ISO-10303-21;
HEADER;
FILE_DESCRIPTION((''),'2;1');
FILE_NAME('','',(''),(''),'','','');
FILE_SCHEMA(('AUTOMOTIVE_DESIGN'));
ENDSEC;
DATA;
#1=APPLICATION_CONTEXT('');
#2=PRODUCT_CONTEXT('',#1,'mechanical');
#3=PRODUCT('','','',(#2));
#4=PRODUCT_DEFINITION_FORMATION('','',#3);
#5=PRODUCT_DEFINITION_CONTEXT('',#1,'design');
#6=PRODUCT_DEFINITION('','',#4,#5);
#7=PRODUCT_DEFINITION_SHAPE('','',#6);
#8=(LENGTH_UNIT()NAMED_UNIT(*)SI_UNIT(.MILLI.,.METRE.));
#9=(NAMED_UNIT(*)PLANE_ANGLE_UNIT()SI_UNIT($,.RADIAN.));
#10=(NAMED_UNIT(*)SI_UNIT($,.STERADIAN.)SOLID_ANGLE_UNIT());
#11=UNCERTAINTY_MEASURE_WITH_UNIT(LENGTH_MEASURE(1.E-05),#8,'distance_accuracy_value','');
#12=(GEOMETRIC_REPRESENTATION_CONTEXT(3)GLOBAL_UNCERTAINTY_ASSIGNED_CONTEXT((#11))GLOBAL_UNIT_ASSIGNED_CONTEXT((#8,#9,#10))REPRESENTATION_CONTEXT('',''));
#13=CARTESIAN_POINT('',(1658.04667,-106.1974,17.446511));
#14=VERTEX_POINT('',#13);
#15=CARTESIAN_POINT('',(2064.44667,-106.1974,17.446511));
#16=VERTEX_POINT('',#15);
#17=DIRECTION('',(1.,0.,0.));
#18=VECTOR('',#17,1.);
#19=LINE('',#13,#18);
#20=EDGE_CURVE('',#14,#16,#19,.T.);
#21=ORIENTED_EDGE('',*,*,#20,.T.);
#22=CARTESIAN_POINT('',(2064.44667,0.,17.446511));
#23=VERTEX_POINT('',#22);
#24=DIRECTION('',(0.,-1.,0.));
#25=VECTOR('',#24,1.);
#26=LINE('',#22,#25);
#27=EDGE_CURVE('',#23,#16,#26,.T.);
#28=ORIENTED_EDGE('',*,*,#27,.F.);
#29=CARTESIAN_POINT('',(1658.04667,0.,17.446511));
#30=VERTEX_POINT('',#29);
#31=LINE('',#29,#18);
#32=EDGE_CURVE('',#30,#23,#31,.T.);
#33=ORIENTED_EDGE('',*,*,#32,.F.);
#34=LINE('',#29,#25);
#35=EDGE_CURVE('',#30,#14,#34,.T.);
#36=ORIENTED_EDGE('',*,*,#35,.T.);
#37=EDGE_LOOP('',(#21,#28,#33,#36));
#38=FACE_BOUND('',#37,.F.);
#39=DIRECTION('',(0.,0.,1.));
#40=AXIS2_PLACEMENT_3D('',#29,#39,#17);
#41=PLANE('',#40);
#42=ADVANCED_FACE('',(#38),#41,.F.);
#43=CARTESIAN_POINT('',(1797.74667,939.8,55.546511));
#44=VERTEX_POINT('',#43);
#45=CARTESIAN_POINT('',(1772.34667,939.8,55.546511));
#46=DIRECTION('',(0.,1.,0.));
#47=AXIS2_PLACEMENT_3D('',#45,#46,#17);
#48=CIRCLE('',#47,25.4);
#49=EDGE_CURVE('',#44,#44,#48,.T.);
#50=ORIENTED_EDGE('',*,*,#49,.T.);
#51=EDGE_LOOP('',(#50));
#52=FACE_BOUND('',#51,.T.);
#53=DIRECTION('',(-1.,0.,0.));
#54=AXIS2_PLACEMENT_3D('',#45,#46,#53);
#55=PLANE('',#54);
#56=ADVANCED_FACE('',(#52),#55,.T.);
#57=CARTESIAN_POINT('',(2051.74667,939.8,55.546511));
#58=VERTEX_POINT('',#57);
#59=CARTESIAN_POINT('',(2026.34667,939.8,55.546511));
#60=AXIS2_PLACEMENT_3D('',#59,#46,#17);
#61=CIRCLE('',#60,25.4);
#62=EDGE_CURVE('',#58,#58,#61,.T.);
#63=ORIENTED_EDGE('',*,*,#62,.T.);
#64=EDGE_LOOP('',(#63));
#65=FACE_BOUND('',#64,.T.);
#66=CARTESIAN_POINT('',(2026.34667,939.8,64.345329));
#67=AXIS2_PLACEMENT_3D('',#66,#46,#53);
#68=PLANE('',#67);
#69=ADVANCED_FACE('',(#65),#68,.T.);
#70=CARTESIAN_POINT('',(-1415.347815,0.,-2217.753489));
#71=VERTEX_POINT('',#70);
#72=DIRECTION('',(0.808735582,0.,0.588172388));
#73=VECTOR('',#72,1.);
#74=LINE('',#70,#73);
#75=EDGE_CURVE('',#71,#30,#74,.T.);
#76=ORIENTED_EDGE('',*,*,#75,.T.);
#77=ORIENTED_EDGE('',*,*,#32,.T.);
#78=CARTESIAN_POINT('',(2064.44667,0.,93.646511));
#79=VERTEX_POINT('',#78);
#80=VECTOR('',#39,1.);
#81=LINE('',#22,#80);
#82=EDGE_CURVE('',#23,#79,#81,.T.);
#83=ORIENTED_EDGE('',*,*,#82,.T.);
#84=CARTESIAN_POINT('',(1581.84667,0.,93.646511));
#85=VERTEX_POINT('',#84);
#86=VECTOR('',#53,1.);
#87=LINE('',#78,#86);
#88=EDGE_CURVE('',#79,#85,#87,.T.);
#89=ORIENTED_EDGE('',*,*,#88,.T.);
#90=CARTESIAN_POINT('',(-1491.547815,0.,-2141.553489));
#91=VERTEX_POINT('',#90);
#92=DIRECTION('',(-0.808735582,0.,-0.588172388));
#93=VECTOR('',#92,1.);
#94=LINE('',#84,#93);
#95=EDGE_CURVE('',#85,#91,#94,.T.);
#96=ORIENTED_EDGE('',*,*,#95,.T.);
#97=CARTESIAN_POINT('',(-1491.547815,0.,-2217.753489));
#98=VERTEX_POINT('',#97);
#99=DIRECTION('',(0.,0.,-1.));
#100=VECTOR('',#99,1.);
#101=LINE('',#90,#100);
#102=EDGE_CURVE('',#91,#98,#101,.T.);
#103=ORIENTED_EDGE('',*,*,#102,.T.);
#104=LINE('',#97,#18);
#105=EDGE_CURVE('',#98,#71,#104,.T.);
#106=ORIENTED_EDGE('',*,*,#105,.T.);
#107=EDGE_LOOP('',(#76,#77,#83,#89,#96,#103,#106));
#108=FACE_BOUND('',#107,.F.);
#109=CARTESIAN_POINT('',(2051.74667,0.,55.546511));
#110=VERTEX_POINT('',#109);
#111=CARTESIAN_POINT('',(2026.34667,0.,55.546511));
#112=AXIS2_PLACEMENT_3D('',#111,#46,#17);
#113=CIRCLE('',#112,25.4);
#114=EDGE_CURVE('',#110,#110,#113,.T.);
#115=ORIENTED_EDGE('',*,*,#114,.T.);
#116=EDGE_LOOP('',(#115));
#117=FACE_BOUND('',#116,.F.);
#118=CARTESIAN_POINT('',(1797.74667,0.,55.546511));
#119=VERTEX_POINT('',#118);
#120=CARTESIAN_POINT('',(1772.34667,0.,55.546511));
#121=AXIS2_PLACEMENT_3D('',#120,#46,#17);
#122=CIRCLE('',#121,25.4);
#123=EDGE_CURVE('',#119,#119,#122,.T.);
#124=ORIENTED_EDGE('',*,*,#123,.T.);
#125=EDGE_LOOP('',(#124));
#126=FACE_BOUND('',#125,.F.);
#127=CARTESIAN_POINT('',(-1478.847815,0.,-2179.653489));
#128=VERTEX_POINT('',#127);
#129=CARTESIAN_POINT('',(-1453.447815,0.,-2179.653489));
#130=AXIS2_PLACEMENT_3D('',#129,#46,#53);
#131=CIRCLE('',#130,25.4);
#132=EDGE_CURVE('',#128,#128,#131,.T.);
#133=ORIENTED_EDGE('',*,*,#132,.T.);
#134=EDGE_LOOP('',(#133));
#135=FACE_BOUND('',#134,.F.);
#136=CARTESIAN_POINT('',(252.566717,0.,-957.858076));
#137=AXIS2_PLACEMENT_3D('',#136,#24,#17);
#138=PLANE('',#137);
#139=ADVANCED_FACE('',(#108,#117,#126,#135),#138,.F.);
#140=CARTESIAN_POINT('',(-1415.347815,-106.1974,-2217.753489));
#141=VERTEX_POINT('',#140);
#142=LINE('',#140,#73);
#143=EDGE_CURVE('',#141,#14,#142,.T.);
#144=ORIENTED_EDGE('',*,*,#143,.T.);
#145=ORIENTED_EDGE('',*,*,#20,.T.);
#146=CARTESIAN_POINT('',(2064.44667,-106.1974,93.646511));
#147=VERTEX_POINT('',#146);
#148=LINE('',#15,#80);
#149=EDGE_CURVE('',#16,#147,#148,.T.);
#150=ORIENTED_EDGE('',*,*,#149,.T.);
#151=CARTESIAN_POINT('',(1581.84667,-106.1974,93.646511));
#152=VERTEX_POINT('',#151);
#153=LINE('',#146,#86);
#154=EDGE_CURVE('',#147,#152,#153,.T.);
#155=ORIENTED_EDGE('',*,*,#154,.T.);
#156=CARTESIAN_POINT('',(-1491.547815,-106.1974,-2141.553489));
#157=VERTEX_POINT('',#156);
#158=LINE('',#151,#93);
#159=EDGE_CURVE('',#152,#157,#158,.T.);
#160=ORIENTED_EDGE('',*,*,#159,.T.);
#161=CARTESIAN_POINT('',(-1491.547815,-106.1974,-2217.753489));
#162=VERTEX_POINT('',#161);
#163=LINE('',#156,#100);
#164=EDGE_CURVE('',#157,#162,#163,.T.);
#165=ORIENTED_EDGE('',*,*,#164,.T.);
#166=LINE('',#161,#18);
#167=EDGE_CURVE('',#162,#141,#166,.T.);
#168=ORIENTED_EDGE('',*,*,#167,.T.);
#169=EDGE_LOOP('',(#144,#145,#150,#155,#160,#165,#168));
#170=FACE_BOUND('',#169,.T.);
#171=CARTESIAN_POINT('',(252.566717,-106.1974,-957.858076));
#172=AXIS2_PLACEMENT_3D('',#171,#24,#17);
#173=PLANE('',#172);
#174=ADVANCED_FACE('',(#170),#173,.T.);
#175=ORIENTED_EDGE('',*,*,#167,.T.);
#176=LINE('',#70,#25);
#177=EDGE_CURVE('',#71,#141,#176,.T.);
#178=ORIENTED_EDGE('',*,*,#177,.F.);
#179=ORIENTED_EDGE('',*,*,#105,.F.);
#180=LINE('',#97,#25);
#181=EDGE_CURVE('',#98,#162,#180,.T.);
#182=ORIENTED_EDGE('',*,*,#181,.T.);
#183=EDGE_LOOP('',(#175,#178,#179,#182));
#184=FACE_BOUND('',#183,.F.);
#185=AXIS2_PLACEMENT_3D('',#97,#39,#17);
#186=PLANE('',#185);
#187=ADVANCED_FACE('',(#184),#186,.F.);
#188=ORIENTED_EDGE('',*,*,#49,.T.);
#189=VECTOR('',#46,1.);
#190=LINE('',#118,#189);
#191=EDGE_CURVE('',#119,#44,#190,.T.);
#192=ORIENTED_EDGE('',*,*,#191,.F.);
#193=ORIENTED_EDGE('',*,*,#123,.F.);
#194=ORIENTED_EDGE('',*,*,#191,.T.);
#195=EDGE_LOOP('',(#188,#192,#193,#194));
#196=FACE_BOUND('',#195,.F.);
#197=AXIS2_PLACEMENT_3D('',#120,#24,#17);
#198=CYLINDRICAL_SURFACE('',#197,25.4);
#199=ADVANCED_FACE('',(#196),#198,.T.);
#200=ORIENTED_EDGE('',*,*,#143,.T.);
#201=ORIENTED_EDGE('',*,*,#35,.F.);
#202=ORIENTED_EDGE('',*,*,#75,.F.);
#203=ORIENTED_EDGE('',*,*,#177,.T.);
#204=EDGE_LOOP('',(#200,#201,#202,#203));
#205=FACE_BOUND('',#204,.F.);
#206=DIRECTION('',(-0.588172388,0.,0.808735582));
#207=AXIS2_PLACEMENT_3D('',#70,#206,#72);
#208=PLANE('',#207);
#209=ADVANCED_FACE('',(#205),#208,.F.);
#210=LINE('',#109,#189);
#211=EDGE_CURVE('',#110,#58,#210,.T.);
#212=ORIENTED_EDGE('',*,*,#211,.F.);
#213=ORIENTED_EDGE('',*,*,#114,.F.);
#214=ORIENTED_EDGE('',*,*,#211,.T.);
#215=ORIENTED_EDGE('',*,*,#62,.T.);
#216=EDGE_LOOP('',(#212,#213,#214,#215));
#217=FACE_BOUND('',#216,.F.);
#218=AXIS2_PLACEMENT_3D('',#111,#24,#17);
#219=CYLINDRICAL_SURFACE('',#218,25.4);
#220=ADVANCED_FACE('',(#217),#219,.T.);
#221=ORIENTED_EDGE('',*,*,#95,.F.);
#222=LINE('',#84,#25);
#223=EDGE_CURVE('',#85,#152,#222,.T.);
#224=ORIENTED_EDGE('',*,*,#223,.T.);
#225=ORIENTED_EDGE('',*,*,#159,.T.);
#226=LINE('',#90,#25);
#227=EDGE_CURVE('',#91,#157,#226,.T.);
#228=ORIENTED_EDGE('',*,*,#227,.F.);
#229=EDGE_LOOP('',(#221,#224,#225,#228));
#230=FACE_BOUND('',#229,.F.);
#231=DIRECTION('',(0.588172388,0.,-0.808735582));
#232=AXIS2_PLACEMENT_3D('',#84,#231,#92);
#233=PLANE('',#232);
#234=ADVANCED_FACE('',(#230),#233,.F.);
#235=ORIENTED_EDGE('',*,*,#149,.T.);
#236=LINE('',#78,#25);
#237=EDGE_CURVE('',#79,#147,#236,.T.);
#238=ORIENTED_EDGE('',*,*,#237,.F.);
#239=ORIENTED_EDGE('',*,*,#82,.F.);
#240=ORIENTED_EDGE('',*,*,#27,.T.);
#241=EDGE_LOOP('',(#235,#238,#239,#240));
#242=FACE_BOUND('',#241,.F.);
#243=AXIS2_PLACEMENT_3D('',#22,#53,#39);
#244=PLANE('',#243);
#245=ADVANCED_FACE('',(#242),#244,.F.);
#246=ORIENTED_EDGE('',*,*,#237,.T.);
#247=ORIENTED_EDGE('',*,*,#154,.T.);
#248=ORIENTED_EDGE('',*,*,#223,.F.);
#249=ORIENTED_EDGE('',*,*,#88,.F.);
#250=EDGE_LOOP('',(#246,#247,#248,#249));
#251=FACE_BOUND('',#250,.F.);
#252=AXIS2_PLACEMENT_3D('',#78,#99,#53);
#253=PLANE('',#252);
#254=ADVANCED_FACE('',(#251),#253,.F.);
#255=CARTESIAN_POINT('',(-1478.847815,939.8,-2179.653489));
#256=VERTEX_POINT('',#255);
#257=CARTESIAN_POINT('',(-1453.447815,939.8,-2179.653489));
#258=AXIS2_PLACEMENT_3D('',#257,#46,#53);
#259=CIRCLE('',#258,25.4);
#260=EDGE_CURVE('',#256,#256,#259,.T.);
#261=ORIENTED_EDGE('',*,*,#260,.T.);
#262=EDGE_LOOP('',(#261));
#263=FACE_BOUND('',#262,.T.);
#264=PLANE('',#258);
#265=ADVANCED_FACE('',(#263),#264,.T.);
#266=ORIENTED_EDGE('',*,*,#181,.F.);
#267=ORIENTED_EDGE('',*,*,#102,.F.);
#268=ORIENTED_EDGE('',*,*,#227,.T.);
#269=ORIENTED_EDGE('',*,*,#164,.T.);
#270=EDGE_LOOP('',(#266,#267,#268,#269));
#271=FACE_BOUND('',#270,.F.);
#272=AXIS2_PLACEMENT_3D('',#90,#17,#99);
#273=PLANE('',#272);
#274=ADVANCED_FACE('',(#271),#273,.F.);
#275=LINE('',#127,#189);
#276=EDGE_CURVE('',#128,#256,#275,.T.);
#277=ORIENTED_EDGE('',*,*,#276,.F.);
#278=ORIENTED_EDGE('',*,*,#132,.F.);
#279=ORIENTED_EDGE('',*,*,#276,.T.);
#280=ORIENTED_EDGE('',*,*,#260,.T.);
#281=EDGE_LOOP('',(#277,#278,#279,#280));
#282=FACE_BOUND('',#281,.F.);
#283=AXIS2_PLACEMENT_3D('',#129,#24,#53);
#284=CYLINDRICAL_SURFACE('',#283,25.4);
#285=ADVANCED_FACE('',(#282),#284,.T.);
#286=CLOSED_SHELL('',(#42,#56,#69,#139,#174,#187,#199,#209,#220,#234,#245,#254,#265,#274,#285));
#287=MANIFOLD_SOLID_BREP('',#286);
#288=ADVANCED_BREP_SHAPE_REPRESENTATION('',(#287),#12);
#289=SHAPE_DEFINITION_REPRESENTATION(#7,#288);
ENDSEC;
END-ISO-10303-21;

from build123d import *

# Parameters (mm, degrees)
F1_DEPTH = 106.1974
F2_R     = 25.4
F3_DEPTH = 939.8


with BuildPart() as f1:
    # F0 (on Front) → F1 (new body)
    with BuildSketch(Plane.XZ):
        Polygon((2064.44667, 17.446511), (2064.44667, 93.646511), (1581.84667, 93.646511), (-1491.547815, -2141.553489), (-1491.547815, -2217.753489), (-1415.347815, -2217.753489), (1658.04667, 17.446511), align=None)
    extrude(amount=F1_DEPTH)

    # F2 (on face) → F3 (join)
    with BuildSketch(Plane(origin=(0, 0, 0), x_dir=(-1, 0, 0), z_dir=(0, 1, 0))):
        with BuildLine():
            ThreePointArc((-1746.94667, 55.546511), (-1772.34667, 80.946511), (-1797.74667, 55.546511))
            ThreePointArc((-1797.74667, 55.546511), (-1772.34667, 30.146511), (-1746.94667, 55.546511))
        make_face()
        with BuildLine():
            ThreePointArc((-2000.94667, 55.546511), (-2026.34667, 80.946511), (-2051.74667, 55.546511))
            Line((-2051.74667, 55.546511), (-2026.34667, 55.546511))
            Line((-2026.34667, 55.546511), (-2000.94667, 55.546511))
        make_face()
        with BuildLine():
            Line((-2026.34667, 55.546511), (-2051.74667, 55.546511))
            ThreePointArc((-2051.74667, 55.546511), (-2026.34667, 30.146511), (-2000.94667, 55.546511))
            Line((-2000.94667, 55.546511), (-2026.34667, 55.546511))
        make_face()
        with Locations((1453.447815, -2179.653489)):
            Circle(F2_R)
    extrude(amount=F3_DEPTH)


solid = f1.part
